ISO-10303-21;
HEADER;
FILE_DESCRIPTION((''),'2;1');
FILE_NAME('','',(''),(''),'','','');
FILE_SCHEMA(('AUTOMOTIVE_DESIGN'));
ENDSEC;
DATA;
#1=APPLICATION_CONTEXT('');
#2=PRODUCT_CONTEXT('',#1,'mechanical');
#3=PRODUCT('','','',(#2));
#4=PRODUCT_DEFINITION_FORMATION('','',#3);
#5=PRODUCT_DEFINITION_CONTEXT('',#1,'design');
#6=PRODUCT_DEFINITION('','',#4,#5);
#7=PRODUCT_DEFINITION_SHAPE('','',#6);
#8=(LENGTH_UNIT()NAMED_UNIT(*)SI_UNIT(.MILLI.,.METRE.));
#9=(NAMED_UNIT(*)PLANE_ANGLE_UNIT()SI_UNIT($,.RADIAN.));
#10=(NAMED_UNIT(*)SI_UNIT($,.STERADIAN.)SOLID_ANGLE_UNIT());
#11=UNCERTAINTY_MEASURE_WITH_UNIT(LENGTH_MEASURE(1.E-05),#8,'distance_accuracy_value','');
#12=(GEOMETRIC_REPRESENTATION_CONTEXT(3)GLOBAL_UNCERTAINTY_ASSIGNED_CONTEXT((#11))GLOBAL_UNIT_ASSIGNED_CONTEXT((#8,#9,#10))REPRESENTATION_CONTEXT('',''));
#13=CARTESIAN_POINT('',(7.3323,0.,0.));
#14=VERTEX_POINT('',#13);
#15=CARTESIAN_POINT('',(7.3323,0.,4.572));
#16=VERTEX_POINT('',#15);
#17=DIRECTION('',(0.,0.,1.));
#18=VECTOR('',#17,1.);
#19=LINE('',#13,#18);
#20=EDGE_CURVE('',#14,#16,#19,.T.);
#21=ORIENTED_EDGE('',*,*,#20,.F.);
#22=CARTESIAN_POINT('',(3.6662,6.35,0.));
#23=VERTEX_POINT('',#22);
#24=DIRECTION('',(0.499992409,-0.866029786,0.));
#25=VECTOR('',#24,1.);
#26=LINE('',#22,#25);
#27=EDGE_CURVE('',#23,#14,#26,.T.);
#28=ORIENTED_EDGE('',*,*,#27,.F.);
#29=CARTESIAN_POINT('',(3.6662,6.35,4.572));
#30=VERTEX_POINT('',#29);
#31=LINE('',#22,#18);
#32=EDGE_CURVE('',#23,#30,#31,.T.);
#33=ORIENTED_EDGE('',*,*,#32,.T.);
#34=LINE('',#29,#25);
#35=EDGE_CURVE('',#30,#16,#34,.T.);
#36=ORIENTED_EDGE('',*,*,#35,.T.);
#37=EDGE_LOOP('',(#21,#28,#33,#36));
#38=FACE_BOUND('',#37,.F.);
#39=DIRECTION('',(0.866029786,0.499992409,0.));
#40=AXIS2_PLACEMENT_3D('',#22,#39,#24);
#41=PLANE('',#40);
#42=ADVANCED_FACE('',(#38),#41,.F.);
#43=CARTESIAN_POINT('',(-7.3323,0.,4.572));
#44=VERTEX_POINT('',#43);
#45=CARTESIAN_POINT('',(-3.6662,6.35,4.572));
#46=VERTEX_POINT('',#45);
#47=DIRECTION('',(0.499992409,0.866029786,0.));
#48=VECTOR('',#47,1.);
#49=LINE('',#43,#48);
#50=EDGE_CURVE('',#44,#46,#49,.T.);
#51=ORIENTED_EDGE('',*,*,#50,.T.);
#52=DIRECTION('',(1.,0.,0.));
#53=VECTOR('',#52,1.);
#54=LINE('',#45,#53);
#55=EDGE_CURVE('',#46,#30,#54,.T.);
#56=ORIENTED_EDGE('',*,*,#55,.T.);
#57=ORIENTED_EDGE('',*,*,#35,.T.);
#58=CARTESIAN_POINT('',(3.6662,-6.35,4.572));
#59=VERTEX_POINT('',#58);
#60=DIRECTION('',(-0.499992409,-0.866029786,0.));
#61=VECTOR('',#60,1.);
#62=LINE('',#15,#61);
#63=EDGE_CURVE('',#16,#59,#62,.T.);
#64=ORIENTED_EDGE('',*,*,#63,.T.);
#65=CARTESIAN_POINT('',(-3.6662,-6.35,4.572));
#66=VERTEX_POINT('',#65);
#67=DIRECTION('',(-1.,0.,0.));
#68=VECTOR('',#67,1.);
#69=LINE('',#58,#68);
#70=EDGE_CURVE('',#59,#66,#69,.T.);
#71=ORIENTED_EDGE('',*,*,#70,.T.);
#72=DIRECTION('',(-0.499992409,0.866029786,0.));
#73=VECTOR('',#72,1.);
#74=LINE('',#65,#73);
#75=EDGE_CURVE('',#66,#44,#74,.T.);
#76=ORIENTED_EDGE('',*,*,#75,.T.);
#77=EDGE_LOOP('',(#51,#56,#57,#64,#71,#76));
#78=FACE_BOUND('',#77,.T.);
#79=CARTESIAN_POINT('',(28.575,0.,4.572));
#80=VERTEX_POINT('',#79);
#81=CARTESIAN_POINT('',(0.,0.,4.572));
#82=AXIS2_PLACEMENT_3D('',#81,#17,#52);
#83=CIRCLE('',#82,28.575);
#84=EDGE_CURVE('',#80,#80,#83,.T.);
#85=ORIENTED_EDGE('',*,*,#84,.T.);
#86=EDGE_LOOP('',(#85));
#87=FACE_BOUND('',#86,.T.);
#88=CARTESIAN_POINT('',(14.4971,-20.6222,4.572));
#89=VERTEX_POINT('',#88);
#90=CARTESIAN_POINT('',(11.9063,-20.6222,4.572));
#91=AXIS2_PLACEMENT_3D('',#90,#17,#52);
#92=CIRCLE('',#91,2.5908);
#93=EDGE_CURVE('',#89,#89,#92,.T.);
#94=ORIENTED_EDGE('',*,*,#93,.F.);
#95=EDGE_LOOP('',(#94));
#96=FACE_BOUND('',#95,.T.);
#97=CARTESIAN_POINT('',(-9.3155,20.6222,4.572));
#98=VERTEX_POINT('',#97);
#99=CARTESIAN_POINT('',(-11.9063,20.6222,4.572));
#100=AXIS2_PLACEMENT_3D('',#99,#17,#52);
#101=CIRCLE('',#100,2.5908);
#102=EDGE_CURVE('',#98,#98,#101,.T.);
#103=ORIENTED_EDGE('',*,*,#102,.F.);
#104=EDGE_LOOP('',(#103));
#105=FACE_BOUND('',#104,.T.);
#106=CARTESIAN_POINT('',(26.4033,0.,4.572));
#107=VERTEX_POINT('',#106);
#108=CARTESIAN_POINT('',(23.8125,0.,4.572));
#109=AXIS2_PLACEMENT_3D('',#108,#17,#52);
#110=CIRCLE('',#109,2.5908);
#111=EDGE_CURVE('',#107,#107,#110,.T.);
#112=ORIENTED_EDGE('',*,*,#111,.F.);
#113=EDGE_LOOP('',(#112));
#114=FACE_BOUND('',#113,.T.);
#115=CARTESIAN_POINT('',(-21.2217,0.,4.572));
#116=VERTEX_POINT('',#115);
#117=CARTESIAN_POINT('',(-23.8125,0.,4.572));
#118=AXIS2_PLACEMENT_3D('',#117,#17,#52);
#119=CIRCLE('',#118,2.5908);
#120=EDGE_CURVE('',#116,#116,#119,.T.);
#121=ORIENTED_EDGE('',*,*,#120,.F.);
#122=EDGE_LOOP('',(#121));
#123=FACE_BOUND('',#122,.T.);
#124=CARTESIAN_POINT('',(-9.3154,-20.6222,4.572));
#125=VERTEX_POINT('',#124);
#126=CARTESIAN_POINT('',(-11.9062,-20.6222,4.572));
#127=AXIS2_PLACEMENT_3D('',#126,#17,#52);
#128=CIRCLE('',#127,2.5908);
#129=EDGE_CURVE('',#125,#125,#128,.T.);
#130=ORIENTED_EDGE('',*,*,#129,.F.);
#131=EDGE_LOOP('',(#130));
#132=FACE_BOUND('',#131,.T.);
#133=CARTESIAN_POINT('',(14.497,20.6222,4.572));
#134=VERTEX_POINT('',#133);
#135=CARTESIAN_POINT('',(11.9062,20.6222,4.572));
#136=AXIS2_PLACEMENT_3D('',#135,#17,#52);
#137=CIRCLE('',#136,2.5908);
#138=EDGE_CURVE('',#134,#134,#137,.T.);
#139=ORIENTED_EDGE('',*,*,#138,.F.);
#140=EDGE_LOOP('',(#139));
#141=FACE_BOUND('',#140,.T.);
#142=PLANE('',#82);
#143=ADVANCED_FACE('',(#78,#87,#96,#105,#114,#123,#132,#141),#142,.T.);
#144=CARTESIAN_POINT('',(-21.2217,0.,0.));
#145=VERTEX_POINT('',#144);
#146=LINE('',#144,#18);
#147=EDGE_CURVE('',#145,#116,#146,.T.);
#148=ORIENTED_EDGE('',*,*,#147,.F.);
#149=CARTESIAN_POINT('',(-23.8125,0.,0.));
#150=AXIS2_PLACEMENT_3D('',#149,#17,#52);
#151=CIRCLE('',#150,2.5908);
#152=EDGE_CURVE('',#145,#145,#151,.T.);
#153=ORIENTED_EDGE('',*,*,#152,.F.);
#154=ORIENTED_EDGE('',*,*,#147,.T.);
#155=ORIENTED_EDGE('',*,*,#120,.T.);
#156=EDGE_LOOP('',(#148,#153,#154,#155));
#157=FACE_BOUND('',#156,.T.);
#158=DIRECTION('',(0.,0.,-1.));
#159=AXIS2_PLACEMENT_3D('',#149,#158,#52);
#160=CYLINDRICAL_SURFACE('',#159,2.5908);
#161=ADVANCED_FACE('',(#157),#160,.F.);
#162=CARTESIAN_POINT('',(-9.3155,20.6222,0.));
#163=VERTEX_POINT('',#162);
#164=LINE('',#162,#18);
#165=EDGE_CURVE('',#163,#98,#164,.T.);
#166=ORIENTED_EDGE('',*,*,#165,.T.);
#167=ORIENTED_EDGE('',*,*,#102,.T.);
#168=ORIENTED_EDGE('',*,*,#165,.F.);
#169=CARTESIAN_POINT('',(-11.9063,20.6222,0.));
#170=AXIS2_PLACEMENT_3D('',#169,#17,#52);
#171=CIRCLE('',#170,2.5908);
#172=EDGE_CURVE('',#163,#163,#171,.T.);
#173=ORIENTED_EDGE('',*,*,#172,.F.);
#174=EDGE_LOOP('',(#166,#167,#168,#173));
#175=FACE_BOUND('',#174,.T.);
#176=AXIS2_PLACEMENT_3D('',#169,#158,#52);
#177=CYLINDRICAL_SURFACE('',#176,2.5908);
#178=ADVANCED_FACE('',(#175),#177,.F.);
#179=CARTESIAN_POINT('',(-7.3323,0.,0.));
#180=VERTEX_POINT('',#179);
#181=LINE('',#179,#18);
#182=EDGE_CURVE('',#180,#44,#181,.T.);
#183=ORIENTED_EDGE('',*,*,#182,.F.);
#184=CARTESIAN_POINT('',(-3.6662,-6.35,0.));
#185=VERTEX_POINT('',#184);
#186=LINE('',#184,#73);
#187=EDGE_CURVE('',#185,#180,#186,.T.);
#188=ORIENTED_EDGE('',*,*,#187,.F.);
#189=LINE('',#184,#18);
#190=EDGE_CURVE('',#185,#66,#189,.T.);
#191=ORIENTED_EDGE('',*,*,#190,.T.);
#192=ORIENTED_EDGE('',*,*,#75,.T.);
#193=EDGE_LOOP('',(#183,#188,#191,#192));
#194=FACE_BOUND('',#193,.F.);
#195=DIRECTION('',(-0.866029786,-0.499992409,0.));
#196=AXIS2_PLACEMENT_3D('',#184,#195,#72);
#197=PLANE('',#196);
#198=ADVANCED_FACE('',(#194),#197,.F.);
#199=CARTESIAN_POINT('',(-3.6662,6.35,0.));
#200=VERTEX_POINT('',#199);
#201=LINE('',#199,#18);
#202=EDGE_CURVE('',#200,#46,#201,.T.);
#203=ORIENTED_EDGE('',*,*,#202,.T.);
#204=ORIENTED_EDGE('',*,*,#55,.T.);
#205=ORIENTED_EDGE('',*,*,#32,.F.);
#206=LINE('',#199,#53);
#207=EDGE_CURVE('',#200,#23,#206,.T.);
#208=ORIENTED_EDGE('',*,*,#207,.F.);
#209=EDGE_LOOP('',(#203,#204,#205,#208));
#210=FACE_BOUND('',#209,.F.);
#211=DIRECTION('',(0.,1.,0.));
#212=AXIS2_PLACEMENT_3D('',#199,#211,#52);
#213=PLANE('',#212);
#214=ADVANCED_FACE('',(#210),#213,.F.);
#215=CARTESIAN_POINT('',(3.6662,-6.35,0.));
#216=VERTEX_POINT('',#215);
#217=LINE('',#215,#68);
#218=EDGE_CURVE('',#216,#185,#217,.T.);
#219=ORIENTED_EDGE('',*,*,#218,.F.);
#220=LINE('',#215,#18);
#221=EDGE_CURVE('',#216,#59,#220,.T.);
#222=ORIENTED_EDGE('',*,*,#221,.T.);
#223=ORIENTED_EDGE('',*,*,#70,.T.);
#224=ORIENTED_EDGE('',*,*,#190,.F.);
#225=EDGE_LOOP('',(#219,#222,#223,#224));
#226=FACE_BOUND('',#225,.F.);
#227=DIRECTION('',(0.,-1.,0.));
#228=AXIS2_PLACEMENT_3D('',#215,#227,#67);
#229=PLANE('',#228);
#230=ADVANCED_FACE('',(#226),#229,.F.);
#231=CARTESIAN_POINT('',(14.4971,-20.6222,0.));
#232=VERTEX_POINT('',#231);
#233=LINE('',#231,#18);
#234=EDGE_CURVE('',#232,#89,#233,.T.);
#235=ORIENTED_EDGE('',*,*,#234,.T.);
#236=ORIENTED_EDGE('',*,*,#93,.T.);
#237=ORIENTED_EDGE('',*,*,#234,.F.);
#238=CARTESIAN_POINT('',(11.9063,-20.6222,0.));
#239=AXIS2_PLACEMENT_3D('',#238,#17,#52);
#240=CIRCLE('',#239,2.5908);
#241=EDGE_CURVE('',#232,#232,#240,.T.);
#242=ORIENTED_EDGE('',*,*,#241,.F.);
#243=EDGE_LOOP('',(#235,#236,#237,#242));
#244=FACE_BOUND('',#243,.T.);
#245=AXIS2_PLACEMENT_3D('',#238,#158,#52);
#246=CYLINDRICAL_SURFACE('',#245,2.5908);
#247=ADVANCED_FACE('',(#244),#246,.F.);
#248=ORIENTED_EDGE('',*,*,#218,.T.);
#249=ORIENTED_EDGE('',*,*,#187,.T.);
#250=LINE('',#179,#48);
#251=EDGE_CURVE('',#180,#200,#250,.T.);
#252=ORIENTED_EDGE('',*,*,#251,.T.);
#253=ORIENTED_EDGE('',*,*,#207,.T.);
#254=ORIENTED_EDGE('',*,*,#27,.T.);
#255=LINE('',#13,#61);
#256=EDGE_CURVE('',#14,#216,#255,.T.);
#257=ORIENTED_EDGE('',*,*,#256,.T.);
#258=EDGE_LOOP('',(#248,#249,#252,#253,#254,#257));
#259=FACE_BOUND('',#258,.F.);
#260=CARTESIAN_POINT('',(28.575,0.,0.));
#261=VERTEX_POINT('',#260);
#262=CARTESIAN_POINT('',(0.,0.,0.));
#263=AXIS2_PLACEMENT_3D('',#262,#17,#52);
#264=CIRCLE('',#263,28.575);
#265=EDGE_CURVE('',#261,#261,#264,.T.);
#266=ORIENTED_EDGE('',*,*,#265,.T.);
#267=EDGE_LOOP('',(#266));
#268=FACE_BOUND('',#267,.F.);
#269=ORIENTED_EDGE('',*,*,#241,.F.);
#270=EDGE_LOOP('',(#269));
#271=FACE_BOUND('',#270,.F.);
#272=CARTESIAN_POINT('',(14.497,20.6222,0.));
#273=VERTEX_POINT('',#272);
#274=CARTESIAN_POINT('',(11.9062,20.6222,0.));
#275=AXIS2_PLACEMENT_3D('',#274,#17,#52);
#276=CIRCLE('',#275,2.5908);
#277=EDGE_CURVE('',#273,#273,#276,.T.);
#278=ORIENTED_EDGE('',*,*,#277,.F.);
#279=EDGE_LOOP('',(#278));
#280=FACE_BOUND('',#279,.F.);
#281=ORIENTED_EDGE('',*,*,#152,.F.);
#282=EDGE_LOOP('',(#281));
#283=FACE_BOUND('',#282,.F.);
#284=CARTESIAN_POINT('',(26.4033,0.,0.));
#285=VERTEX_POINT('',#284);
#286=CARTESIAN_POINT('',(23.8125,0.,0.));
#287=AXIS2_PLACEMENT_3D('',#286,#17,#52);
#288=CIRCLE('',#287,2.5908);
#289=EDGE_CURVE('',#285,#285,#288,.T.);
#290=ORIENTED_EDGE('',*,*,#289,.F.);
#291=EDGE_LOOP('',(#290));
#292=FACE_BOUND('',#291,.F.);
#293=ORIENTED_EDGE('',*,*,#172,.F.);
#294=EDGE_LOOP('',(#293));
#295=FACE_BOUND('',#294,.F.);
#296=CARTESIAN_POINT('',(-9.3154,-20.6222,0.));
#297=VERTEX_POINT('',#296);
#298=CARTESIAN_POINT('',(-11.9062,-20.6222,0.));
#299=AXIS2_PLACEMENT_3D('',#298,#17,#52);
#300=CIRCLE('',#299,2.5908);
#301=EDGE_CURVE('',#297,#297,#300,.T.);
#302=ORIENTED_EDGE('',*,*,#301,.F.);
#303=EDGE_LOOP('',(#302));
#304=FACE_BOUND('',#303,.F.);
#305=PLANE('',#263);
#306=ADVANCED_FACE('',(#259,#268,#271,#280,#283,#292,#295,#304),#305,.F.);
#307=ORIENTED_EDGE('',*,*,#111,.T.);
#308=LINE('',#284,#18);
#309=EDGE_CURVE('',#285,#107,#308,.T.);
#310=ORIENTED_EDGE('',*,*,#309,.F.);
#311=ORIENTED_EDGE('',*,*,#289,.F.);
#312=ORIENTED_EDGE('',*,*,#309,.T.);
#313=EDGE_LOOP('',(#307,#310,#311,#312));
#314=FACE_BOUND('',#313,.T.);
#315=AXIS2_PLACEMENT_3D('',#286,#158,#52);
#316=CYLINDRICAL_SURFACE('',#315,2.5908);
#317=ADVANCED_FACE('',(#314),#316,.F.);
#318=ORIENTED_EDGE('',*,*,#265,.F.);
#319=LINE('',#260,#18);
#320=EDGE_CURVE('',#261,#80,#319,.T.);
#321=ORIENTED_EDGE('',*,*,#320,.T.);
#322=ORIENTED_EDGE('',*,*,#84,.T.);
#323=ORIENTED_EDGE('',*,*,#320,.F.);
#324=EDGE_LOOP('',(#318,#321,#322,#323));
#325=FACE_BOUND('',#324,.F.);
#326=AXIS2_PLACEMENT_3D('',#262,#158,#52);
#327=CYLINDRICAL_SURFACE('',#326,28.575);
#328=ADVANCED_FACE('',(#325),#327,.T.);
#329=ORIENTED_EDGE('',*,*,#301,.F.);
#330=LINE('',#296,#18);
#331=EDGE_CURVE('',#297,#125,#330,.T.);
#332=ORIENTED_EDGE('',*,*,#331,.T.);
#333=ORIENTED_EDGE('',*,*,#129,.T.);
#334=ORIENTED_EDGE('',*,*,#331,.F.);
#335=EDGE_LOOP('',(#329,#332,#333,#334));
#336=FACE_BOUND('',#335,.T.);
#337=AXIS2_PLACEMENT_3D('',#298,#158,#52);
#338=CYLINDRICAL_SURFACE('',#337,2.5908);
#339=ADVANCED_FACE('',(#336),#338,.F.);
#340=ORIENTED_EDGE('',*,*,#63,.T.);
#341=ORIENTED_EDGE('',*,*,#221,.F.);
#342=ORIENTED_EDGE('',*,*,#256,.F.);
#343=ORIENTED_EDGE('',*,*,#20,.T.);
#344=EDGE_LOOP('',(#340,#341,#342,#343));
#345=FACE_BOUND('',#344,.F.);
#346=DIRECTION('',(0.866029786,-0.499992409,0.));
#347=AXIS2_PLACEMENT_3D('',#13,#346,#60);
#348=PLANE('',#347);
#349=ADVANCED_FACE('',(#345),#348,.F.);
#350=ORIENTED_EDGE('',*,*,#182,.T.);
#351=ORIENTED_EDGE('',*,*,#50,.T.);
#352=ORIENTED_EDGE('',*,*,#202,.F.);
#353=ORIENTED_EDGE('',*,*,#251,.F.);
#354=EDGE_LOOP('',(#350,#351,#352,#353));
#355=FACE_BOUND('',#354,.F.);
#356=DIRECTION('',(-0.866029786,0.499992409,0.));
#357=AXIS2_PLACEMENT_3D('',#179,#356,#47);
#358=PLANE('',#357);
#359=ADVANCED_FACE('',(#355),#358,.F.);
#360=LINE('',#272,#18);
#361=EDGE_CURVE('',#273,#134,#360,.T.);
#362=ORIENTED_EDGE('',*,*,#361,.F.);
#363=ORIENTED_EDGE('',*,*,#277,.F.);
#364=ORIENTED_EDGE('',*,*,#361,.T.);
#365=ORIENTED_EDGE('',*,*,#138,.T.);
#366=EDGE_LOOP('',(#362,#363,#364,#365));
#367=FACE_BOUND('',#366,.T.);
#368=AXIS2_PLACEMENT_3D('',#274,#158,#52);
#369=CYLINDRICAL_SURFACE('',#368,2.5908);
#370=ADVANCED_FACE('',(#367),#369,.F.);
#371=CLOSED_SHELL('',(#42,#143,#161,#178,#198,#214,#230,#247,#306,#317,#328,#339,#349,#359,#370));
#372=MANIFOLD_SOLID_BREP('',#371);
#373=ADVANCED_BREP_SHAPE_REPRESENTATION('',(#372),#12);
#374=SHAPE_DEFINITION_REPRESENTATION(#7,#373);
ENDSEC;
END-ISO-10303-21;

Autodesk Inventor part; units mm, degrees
ref_plane "YZ Plane" through (0, 0, 0) normal (1, 0, 0) x (0, 1, 0)
ref_plane "XZ Plane" through (0, 0, 0) normal (0, 1, 0) x (-1, 0, 0)
ref_plane "XY Plane" through (0, 0, 0) normal (0, 0, 1) x (1, 0, 0)
sketch "Sketch1" plane through (0, 0, 0) normal (0, 0, 1) x (1, 0, 0)
  circle A0 centre (0, 0) radius 28.575
  circle A1 centre (-23.8125, 0) radius 2.5908
  line L0 (7.3323, 0) -> (3.6662, -6.35)
  line L1 (3.6662, -6.35) -> (-3.6662, -6.35)
  line L2 (-3.6662, -6.35) -> (-7.3323, 0)
  line L3 (-7.3323, 0) -> (-3.6662, 6.35)
  line L4 (-3.6662, 6.35) -> (3.6662, 6.35)
  line L5 (3.6662, 6.35) -> (7.3323, 0)
  line L6 (-23.8125, 0) -> (0, 0) construction
  circle A2 centre (-11.9063, 20.6222) radius 2.5908
  circle A3 centre (11.9062, 20.6222) radius 2.5908
  circle A4 centre (23.8125, 0) radius 2.5908
  circle A5 centre (11.9063, -20.6222) radius 2.5908
  circle A6 centre (-11.9062, -20.6222) radius 2.5908
  dimension "d0" = 57.15
  dimension "d1" = 5.1816
  dimension "d2" = 12.7
  dimension "d3" = 23.8125
  dimension "d6" = 360
extrude "Extrusion1" add sketch "Sketch1" along normal blind 4.572
properties part number "Custom Hex Hub" material "Steel"
